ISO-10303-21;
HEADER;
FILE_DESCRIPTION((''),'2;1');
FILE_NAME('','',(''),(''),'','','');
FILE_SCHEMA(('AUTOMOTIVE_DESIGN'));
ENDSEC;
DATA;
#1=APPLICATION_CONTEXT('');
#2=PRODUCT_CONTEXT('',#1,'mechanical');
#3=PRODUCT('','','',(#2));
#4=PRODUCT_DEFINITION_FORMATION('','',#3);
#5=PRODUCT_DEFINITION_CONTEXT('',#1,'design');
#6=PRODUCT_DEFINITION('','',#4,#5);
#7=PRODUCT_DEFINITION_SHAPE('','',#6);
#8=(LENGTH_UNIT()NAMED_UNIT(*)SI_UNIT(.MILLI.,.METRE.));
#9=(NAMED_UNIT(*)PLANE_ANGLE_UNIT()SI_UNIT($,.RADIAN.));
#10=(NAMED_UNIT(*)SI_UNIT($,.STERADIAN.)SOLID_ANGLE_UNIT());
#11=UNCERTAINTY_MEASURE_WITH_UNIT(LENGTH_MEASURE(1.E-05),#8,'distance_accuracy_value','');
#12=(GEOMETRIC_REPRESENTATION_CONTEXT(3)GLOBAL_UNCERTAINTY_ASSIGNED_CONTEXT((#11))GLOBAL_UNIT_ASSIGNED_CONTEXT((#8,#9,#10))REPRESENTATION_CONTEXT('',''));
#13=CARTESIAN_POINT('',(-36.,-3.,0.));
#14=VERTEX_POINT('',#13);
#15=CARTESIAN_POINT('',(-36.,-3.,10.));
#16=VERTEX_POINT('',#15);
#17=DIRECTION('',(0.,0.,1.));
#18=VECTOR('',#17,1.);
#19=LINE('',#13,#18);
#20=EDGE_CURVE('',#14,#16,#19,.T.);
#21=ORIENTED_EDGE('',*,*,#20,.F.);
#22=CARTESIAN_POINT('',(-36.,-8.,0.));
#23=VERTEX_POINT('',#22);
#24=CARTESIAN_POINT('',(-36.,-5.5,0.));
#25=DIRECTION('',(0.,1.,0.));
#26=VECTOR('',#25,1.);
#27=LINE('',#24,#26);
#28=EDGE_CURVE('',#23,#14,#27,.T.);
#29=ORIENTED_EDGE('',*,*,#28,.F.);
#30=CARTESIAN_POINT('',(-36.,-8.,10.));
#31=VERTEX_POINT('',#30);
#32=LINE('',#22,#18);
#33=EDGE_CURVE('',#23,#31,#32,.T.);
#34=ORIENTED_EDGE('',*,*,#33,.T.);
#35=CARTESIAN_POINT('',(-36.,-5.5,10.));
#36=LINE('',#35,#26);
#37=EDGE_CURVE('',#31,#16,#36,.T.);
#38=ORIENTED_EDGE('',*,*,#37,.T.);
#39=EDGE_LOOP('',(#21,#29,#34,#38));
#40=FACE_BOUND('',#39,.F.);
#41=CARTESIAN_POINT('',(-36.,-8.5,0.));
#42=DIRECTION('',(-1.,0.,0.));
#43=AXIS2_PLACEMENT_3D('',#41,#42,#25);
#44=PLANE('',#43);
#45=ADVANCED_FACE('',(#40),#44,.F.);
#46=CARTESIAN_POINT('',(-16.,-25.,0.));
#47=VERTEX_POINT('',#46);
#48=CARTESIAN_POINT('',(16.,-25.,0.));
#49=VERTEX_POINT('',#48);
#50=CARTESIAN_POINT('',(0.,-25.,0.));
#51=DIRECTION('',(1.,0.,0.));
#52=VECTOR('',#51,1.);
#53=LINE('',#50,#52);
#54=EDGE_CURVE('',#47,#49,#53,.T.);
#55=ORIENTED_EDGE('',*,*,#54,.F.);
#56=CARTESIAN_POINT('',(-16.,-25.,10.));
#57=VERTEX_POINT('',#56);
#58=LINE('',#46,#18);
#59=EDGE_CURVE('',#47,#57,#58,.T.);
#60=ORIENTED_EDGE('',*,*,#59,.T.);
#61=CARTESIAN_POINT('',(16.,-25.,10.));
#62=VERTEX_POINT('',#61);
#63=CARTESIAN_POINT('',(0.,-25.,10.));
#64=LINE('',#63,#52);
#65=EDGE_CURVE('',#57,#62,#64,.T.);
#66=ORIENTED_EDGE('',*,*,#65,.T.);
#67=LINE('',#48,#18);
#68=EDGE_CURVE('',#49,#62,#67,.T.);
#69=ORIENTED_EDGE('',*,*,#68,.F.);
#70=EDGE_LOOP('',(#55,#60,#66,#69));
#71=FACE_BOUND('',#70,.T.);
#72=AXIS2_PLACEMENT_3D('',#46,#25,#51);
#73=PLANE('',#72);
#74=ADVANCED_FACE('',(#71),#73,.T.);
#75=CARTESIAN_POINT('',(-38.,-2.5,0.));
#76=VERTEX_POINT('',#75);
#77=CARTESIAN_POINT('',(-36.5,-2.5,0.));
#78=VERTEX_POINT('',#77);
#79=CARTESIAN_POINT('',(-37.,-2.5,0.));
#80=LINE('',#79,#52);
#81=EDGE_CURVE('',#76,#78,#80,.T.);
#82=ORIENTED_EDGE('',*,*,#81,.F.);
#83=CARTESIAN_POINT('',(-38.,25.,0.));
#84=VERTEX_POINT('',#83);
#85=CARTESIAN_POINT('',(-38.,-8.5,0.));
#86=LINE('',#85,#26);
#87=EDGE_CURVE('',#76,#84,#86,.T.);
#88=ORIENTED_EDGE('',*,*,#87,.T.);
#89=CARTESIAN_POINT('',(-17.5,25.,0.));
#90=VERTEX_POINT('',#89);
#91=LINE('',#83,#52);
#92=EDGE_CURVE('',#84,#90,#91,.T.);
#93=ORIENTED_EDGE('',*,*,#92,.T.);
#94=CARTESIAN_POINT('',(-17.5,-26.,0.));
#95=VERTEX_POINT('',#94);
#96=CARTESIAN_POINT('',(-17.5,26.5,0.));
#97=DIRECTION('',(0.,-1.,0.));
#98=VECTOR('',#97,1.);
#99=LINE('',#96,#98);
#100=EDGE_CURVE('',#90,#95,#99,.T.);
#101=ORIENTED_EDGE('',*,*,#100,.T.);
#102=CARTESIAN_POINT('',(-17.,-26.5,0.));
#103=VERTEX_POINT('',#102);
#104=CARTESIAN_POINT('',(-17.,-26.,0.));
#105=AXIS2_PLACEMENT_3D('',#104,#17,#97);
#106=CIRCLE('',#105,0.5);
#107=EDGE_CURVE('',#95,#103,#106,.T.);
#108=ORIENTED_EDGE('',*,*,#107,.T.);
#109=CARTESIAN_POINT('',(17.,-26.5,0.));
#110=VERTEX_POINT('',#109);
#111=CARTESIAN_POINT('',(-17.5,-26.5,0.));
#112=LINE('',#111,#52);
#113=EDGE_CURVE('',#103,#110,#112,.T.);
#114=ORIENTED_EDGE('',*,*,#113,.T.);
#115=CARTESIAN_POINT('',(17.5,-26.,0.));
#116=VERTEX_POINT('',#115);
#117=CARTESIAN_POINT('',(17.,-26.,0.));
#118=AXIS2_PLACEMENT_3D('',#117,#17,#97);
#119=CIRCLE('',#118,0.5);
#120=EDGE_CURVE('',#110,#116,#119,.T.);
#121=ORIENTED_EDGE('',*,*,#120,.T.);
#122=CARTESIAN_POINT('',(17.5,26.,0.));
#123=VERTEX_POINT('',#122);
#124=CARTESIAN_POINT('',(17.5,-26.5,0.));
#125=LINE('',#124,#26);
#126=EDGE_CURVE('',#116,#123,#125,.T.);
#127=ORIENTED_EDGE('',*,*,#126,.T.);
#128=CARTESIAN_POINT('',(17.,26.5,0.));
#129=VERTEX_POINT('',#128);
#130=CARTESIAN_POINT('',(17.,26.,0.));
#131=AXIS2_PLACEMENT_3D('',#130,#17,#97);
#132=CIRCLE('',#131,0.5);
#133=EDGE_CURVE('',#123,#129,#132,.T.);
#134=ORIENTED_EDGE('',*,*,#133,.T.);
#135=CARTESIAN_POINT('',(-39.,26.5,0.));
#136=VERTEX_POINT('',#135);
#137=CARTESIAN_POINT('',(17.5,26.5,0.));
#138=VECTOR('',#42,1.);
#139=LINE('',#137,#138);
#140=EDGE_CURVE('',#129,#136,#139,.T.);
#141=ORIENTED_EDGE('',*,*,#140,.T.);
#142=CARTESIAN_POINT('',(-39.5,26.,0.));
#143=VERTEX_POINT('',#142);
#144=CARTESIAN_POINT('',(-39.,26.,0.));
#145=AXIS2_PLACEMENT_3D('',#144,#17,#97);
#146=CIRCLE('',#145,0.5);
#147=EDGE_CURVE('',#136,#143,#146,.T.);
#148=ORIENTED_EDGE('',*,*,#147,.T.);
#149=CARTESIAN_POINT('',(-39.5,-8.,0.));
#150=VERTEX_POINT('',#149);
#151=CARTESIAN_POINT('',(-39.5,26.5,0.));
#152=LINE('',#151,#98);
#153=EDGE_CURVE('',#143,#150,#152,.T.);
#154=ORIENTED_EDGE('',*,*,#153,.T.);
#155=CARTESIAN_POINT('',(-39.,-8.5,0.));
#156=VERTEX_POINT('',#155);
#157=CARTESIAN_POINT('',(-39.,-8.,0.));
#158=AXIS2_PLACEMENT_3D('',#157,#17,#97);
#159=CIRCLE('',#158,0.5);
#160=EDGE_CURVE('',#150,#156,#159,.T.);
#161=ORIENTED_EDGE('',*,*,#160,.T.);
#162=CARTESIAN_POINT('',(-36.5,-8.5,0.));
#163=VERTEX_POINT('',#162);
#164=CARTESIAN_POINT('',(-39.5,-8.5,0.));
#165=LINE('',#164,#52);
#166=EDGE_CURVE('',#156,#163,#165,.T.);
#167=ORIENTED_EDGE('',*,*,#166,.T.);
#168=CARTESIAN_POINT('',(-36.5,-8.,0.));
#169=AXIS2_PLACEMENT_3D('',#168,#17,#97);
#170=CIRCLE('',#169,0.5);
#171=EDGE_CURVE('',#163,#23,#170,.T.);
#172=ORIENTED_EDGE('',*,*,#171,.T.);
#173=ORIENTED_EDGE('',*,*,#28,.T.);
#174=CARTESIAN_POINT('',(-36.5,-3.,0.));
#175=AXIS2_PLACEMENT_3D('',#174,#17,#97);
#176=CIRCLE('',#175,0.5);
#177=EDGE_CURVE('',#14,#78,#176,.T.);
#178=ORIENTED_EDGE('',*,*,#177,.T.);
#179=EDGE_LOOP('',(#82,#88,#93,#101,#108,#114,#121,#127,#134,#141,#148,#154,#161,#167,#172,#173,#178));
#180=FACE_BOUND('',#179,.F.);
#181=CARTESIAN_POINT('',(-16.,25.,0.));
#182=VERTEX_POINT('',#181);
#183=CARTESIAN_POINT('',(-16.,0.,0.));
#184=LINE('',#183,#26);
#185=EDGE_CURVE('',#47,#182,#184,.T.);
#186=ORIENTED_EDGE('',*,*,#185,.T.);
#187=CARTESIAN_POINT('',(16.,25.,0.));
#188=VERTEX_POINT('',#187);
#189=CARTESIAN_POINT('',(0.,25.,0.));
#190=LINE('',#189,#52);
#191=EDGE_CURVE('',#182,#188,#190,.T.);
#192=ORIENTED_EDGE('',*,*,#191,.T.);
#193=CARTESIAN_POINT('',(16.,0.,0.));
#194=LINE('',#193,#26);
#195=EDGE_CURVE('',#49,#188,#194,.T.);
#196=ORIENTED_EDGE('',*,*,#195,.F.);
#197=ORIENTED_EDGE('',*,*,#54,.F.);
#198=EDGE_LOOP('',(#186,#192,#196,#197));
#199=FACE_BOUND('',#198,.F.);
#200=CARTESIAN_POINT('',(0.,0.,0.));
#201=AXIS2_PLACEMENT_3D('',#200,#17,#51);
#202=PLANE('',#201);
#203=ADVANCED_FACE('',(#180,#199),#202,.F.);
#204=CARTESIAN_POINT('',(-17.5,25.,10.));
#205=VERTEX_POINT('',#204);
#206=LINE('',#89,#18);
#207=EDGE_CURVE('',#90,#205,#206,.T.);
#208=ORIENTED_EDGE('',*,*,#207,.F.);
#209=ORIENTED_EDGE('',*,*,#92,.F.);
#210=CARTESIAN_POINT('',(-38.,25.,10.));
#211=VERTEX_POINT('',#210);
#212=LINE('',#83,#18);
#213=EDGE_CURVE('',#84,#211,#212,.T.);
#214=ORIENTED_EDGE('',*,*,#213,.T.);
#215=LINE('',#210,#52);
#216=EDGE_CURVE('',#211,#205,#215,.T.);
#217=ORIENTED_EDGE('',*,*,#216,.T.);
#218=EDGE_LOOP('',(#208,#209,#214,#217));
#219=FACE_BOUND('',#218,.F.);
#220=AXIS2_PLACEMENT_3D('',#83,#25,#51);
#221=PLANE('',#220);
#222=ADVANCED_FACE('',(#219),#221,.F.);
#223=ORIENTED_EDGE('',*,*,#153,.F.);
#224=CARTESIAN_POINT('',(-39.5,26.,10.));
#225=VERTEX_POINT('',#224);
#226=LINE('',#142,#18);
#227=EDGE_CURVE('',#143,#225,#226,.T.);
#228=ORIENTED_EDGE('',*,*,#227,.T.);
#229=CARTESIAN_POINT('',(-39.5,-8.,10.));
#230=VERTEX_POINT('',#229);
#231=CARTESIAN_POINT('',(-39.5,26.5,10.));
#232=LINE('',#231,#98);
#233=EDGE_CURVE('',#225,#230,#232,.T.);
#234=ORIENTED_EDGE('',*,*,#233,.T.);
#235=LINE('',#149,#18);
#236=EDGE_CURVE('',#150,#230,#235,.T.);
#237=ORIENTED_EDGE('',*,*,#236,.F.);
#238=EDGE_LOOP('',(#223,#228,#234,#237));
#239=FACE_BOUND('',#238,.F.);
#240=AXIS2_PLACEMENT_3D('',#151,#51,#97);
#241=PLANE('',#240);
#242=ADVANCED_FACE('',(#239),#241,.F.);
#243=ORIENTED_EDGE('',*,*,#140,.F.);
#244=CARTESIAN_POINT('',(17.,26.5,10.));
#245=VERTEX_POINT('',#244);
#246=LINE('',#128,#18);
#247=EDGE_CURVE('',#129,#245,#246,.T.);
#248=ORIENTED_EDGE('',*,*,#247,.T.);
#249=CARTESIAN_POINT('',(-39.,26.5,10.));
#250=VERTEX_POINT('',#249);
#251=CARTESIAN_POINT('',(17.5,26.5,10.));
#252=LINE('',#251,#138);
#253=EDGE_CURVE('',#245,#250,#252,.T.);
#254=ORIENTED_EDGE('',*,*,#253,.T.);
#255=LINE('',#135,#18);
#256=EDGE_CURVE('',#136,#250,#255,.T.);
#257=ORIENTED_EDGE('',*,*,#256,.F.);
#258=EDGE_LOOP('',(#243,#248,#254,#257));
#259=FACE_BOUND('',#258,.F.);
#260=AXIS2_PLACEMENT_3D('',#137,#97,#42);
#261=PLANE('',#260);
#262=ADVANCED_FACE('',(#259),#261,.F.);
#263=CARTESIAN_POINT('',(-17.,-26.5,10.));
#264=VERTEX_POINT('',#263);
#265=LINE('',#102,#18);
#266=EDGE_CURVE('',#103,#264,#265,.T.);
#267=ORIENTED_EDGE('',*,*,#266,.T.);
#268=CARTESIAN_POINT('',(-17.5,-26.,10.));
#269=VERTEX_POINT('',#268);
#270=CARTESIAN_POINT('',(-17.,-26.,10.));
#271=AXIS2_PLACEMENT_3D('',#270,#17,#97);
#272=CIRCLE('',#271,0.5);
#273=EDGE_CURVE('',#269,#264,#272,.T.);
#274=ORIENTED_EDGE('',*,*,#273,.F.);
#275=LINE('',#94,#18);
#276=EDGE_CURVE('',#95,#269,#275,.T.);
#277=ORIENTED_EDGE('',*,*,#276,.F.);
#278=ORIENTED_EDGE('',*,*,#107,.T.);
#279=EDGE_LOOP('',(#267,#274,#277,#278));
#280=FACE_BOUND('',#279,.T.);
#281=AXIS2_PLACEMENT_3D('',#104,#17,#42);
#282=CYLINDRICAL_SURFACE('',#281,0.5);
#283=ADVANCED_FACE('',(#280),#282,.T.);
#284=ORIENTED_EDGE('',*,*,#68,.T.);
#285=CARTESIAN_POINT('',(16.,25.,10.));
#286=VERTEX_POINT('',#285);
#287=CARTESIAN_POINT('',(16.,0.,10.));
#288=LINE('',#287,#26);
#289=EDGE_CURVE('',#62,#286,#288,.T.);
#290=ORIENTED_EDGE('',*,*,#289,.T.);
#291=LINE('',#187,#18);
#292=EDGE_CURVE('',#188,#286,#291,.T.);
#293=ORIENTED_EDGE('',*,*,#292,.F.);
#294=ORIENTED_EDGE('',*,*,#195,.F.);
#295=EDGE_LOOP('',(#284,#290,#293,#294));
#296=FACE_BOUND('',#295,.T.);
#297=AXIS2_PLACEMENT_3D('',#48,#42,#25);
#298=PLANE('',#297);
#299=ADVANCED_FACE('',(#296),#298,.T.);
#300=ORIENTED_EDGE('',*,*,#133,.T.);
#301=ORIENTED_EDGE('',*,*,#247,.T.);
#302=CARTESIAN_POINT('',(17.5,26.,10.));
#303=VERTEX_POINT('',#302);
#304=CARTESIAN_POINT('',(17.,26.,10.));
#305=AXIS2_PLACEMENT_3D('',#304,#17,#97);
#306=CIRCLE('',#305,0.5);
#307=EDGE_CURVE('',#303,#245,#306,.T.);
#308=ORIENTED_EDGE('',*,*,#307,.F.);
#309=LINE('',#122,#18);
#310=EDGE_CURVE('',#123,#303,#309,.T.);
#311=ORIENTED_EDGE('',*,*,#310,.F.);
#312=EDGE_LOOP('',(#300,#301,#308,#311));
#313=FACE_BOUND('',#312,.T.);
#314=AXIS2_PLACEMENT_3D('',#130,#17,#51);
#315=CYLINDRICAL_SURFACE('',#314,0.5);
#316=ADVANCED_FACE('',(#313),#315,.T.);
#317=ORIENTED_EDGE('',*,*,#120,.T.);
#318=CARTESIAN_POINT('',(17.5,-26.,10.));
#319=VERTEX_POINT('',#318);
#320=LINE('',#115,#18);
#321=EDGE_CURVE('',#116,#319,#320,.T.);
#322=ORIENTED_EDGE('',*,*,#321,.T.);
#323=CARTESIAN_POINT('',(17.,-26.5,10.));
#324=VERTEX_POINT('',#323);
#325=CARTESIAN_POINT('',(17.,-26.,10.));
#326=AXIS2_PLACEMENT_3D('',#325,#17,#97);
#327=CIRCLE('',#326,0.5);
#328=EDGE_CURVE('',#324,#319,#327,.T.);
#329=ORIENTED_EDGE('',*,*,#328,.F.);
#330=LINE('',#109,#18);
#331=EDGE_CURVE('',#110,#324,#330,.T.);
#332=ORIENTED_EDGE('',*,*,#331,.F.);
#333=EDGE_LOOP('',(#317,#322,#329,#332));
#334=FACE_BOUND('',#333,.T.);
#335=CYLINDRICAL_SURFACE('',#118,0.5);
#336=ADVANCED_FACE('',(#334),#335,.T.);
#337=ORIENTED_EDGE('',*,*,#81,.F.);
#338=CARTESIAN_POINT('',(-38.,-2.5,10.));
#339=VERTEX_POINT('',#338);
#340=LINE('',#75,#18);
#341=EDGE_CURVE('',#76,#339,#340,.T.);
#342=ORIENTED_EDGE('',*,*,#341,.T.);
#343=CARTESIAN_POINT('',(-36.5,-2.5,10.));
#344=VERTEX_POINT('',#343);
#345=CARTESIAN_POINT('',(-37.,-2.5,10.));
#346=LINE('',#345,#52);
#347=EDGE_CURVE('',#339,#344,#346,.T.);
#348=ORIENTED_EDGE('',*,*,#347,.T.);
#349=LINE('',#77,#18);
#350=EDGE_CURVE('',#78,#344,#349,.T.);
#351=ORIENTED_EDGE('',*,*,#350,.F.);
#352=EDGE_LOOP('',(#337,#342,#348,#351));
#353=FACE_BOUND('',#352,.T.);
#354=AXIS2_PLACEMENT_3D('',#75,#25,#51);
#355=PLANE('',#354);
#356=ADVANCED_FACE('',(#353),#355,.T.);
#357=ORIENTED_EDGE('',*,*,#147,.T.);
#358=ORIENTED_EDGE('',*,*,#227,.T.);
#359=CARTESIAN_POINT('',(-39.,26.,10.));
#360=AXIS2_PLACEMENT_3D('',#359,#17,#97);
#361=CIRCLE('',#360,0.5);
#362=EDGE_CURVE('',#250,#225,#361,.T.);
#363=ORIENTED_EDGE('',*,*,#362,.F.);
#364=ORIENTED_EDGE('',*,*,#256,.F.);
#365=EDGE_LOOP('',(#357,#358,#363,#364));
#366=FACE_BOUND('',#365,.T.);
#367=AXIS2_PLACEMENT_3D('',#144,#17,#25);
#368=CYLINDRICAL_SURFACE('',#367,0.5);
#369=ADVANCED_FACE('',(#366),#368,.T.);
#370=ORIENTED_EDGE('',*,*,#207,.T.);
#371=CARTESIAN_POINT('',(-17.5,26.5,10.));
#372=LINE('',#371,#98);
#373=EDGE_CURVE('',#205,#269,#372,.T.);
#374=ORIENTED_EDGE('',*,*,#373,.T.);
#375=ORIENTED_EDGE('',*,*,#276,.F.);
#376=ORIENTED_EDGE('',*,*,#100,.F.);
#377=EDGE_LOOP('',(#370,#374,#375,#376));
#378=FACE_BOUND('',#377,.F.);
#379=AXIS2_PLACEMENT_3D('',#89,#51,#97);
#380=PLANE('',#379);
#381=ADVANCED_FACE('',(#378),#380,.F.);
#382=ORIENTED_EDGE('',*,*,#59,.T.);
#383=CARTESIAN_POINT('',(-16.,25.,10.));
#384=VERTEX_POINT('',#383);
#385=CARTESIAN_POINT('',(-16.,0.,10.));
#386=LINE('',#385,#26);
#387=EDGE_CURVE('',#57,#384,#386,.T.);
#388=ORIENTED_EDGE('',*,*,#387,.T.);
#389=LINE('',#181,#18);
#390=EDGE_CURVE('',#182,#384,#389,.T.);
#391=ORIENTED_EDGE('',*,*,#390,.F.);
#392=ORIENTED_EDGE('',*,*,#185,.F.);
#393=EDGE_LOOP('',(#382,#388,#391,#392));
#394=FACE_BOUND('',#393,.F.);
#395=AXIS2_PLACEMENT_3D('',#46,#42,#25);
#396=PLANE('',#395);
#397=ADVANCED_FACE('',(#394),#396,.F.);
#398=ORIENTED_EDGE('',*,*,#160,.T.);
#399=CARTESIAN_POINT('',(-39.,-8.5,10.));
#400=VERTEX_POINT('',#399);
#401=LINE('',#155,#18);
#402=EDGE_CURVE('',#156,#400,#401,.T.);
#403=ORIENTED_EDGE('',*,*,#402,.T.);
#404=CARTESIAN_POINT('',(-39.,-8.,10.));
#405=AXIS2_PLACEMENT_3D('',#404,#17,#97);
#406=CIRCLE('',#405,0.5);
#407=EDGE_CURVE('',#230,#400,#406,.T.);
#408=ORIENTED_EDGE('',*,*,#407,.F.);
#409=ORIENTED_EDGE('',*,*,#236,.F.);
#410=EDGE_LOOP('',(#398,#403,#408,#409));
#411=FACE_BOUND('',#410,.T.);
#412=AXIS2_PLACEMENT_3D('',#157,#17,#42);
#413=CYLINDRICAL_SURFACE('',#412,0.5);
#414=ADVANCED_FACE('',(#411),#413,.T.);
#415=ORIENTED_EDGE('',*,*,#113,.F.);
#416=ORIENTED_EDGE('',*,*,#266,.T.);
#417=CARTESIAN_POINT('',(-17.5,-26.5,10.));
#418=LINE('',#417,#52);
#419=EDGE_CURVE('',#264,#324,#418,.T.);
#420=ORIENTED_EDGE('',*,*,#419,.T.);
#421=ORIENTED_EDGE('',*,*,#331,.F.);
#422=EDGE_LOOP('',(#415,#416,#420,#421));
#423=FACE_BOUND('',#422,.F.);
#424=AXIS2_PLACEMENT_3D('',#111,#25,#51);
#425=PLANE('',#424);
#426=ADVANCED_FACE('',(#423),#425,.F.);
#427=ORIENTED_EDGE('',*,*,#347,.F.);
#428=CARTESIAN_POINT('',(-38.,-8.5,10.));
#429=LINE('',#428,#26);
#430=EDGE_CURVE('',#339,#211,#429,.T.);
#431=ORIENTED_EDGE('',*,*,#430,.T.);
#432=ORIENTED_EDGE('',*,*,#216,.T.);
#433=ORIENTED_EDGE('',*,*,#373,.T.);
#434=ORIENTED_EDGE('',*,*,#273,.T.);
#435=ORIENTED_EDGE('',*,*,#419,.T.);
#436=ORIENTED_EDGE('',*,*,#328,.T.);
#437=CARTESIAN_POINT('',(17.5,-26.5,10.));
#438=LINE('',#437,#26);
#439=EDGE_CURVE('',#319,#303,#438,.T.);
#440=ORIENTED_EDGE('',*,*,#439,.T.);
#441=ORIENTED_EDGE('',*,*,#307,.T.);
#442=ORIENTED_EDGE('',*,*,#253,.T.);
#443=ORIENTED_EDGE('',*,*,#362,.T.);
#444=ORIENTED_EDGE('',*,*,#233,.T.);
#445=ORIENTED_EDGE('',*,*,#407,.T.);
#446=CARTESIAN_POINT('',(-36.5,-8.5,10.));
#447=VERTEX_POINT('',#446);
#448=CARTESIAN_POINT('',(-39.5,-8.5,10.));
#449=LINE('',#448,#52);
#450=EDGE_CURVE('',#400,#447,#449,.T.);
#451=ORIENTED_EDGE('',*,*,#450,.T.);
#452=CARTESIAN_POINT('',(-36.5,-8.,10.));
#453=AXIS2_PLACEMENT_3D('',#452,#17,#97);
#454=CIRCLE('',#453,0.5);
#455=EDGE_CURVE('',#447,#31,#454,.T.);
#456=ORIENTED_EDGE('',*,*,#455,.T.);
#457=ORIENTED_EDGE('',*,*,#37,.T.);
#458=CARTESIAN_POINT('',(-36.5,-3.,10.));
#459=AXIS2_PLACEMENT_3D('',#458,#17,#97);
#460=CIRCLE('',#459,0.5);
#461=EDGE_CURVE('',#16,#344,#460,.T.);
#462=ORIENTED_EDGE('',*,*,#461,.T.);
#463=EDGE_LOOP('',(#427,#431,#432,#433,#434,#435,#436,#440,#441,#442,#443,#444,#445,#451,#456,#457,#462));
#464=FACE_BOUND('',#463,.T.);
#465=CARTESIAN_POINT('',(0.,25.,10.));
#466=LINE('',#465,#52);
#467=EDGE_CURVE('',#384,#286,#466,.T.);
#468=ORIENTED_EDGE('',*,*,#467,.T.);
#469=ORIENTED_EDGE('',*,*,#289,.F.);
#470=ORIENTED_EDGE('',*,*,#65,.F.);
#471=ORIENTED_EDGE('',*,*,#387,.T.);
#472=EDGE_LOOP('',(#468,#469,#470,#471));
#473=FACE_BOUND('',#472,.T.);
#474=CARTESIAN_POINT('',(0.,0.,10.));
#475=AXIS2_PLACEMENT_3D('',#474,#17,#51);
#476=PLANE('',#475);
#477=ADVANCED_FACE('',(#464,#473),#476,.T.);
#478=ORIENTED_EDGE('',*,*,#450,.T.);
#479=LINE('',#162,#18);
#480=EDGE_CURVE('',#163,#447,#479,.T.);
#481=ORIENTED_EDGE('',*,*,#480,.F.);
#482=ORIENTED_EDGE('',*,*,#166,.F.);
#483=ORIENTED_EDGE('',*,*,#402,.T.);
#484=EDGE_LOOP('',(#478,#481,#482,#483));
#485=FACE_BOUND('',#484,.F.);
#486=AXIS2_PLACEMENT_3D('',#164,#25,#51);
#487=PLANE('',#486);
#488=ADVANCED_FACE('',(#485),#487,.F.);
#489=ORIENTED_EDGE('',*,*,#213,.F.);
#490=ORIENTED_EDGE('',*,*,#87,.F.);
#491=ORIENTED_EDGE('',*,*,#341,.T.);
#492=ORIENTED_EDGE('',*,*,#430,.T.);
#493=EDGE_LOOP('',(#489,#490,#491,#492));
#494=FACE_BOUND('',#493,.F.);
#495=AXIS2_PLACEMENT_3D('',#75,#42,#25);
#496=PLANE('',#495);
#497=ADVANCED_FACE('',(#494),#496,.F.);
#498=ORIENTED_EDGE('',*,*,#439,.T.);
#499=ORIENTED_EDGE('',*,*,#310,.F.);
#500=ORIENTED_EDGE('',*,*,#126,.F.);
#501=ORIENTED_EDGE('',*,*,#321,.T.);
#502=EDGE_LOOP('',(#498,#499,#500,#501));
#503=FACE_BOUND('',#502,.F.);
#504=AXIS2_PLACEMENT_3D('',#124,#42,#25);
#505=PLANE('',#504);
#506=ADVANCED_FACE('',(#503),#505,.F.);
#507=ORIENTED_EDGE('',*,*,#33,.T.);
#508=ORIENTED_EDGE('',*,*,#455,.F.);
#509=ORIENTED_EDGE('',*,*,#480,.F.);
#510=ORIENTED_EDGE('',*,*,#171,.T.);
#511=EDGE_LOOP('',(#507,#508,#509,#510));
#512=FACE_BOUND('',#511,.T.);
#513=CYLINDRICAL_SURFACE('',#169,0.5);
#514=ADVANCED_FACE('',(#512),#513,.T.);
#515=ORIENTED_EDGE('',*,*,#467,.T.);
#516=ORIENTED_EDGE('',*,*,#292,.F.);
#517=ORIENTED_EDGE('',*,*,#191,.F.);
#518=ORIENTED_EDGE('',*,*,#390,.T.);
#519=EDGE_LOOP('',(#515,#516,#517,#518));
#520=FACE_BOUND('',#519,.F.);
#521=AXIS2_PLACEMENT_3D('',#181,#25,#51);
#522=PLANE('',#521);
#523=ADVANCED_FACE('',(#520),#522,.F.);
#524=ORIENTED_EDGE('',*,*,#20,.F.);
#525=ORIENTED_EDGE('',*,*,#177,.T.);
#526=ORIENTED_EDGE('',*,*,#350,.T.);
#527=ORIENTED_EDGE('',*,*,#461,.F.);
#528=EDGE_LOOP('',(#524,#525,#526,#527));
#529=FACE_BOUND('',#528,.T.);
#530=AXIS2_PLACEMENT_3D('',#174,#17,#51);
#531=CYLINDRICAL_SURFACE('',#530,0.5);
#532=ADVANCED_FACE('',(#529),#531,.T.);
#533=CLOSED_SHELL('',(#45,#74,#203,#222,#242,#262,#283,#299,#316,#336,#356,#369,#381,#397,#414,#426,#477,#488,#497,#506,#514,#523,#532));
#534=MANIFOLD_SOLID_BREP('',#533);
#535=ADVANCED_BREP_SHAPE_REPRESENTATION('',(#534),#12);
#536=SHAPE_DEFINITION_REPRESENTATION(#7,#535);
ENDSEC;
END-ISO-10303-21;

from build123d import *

# Parameters (mm, degrees)
F0_W     = 32
F0_H     = 50
F0_W_2   = 2
F0_H_2   = 6
F1_DEPTH = 10
F2_R     = 0.5


with BuildPart() as f1:
    # F0 (on Top) → F1 (new body)
    with BuildSketch(Plane.XY):
        Polygon((-17.5, 26.5), (-17.5, 25), (-17.5, -26.5), (17.5, -26.5), (17.5, 26.5), (-16, 26.5), align=None)
        Rectangle(F0_W, F0_H, mode=Mode.SUBTRACT)
        Polygon((-38, 25), (-17.5, 25), (-17.5, 26.5), (-39.5, 26.5), (-39.5, -8.5), (-38, -8.5), (-38, -2.5), align=None)
        with Locations((-37, -5.5)):
            Rectangle(F0_W_2, F0_H_2)
    extrude(amount=F1_DEPTH)

    # F2
    f2_edges = [f1.edges().sort_by_distance(p)[0] for p in [
        (-36, -2.5, 5),
        (-36, -8.5, 5),
        (17.5, -26.5, 5),
        (17.5, 26.5, 5),
        (-17.5, -26.5, 5),
        (-39.5, 26.5, 5),
        (-39.5, -8.5, 5),
    ]]
    fillet(f2_edges, radius=F2_R)


solid = f1.part
